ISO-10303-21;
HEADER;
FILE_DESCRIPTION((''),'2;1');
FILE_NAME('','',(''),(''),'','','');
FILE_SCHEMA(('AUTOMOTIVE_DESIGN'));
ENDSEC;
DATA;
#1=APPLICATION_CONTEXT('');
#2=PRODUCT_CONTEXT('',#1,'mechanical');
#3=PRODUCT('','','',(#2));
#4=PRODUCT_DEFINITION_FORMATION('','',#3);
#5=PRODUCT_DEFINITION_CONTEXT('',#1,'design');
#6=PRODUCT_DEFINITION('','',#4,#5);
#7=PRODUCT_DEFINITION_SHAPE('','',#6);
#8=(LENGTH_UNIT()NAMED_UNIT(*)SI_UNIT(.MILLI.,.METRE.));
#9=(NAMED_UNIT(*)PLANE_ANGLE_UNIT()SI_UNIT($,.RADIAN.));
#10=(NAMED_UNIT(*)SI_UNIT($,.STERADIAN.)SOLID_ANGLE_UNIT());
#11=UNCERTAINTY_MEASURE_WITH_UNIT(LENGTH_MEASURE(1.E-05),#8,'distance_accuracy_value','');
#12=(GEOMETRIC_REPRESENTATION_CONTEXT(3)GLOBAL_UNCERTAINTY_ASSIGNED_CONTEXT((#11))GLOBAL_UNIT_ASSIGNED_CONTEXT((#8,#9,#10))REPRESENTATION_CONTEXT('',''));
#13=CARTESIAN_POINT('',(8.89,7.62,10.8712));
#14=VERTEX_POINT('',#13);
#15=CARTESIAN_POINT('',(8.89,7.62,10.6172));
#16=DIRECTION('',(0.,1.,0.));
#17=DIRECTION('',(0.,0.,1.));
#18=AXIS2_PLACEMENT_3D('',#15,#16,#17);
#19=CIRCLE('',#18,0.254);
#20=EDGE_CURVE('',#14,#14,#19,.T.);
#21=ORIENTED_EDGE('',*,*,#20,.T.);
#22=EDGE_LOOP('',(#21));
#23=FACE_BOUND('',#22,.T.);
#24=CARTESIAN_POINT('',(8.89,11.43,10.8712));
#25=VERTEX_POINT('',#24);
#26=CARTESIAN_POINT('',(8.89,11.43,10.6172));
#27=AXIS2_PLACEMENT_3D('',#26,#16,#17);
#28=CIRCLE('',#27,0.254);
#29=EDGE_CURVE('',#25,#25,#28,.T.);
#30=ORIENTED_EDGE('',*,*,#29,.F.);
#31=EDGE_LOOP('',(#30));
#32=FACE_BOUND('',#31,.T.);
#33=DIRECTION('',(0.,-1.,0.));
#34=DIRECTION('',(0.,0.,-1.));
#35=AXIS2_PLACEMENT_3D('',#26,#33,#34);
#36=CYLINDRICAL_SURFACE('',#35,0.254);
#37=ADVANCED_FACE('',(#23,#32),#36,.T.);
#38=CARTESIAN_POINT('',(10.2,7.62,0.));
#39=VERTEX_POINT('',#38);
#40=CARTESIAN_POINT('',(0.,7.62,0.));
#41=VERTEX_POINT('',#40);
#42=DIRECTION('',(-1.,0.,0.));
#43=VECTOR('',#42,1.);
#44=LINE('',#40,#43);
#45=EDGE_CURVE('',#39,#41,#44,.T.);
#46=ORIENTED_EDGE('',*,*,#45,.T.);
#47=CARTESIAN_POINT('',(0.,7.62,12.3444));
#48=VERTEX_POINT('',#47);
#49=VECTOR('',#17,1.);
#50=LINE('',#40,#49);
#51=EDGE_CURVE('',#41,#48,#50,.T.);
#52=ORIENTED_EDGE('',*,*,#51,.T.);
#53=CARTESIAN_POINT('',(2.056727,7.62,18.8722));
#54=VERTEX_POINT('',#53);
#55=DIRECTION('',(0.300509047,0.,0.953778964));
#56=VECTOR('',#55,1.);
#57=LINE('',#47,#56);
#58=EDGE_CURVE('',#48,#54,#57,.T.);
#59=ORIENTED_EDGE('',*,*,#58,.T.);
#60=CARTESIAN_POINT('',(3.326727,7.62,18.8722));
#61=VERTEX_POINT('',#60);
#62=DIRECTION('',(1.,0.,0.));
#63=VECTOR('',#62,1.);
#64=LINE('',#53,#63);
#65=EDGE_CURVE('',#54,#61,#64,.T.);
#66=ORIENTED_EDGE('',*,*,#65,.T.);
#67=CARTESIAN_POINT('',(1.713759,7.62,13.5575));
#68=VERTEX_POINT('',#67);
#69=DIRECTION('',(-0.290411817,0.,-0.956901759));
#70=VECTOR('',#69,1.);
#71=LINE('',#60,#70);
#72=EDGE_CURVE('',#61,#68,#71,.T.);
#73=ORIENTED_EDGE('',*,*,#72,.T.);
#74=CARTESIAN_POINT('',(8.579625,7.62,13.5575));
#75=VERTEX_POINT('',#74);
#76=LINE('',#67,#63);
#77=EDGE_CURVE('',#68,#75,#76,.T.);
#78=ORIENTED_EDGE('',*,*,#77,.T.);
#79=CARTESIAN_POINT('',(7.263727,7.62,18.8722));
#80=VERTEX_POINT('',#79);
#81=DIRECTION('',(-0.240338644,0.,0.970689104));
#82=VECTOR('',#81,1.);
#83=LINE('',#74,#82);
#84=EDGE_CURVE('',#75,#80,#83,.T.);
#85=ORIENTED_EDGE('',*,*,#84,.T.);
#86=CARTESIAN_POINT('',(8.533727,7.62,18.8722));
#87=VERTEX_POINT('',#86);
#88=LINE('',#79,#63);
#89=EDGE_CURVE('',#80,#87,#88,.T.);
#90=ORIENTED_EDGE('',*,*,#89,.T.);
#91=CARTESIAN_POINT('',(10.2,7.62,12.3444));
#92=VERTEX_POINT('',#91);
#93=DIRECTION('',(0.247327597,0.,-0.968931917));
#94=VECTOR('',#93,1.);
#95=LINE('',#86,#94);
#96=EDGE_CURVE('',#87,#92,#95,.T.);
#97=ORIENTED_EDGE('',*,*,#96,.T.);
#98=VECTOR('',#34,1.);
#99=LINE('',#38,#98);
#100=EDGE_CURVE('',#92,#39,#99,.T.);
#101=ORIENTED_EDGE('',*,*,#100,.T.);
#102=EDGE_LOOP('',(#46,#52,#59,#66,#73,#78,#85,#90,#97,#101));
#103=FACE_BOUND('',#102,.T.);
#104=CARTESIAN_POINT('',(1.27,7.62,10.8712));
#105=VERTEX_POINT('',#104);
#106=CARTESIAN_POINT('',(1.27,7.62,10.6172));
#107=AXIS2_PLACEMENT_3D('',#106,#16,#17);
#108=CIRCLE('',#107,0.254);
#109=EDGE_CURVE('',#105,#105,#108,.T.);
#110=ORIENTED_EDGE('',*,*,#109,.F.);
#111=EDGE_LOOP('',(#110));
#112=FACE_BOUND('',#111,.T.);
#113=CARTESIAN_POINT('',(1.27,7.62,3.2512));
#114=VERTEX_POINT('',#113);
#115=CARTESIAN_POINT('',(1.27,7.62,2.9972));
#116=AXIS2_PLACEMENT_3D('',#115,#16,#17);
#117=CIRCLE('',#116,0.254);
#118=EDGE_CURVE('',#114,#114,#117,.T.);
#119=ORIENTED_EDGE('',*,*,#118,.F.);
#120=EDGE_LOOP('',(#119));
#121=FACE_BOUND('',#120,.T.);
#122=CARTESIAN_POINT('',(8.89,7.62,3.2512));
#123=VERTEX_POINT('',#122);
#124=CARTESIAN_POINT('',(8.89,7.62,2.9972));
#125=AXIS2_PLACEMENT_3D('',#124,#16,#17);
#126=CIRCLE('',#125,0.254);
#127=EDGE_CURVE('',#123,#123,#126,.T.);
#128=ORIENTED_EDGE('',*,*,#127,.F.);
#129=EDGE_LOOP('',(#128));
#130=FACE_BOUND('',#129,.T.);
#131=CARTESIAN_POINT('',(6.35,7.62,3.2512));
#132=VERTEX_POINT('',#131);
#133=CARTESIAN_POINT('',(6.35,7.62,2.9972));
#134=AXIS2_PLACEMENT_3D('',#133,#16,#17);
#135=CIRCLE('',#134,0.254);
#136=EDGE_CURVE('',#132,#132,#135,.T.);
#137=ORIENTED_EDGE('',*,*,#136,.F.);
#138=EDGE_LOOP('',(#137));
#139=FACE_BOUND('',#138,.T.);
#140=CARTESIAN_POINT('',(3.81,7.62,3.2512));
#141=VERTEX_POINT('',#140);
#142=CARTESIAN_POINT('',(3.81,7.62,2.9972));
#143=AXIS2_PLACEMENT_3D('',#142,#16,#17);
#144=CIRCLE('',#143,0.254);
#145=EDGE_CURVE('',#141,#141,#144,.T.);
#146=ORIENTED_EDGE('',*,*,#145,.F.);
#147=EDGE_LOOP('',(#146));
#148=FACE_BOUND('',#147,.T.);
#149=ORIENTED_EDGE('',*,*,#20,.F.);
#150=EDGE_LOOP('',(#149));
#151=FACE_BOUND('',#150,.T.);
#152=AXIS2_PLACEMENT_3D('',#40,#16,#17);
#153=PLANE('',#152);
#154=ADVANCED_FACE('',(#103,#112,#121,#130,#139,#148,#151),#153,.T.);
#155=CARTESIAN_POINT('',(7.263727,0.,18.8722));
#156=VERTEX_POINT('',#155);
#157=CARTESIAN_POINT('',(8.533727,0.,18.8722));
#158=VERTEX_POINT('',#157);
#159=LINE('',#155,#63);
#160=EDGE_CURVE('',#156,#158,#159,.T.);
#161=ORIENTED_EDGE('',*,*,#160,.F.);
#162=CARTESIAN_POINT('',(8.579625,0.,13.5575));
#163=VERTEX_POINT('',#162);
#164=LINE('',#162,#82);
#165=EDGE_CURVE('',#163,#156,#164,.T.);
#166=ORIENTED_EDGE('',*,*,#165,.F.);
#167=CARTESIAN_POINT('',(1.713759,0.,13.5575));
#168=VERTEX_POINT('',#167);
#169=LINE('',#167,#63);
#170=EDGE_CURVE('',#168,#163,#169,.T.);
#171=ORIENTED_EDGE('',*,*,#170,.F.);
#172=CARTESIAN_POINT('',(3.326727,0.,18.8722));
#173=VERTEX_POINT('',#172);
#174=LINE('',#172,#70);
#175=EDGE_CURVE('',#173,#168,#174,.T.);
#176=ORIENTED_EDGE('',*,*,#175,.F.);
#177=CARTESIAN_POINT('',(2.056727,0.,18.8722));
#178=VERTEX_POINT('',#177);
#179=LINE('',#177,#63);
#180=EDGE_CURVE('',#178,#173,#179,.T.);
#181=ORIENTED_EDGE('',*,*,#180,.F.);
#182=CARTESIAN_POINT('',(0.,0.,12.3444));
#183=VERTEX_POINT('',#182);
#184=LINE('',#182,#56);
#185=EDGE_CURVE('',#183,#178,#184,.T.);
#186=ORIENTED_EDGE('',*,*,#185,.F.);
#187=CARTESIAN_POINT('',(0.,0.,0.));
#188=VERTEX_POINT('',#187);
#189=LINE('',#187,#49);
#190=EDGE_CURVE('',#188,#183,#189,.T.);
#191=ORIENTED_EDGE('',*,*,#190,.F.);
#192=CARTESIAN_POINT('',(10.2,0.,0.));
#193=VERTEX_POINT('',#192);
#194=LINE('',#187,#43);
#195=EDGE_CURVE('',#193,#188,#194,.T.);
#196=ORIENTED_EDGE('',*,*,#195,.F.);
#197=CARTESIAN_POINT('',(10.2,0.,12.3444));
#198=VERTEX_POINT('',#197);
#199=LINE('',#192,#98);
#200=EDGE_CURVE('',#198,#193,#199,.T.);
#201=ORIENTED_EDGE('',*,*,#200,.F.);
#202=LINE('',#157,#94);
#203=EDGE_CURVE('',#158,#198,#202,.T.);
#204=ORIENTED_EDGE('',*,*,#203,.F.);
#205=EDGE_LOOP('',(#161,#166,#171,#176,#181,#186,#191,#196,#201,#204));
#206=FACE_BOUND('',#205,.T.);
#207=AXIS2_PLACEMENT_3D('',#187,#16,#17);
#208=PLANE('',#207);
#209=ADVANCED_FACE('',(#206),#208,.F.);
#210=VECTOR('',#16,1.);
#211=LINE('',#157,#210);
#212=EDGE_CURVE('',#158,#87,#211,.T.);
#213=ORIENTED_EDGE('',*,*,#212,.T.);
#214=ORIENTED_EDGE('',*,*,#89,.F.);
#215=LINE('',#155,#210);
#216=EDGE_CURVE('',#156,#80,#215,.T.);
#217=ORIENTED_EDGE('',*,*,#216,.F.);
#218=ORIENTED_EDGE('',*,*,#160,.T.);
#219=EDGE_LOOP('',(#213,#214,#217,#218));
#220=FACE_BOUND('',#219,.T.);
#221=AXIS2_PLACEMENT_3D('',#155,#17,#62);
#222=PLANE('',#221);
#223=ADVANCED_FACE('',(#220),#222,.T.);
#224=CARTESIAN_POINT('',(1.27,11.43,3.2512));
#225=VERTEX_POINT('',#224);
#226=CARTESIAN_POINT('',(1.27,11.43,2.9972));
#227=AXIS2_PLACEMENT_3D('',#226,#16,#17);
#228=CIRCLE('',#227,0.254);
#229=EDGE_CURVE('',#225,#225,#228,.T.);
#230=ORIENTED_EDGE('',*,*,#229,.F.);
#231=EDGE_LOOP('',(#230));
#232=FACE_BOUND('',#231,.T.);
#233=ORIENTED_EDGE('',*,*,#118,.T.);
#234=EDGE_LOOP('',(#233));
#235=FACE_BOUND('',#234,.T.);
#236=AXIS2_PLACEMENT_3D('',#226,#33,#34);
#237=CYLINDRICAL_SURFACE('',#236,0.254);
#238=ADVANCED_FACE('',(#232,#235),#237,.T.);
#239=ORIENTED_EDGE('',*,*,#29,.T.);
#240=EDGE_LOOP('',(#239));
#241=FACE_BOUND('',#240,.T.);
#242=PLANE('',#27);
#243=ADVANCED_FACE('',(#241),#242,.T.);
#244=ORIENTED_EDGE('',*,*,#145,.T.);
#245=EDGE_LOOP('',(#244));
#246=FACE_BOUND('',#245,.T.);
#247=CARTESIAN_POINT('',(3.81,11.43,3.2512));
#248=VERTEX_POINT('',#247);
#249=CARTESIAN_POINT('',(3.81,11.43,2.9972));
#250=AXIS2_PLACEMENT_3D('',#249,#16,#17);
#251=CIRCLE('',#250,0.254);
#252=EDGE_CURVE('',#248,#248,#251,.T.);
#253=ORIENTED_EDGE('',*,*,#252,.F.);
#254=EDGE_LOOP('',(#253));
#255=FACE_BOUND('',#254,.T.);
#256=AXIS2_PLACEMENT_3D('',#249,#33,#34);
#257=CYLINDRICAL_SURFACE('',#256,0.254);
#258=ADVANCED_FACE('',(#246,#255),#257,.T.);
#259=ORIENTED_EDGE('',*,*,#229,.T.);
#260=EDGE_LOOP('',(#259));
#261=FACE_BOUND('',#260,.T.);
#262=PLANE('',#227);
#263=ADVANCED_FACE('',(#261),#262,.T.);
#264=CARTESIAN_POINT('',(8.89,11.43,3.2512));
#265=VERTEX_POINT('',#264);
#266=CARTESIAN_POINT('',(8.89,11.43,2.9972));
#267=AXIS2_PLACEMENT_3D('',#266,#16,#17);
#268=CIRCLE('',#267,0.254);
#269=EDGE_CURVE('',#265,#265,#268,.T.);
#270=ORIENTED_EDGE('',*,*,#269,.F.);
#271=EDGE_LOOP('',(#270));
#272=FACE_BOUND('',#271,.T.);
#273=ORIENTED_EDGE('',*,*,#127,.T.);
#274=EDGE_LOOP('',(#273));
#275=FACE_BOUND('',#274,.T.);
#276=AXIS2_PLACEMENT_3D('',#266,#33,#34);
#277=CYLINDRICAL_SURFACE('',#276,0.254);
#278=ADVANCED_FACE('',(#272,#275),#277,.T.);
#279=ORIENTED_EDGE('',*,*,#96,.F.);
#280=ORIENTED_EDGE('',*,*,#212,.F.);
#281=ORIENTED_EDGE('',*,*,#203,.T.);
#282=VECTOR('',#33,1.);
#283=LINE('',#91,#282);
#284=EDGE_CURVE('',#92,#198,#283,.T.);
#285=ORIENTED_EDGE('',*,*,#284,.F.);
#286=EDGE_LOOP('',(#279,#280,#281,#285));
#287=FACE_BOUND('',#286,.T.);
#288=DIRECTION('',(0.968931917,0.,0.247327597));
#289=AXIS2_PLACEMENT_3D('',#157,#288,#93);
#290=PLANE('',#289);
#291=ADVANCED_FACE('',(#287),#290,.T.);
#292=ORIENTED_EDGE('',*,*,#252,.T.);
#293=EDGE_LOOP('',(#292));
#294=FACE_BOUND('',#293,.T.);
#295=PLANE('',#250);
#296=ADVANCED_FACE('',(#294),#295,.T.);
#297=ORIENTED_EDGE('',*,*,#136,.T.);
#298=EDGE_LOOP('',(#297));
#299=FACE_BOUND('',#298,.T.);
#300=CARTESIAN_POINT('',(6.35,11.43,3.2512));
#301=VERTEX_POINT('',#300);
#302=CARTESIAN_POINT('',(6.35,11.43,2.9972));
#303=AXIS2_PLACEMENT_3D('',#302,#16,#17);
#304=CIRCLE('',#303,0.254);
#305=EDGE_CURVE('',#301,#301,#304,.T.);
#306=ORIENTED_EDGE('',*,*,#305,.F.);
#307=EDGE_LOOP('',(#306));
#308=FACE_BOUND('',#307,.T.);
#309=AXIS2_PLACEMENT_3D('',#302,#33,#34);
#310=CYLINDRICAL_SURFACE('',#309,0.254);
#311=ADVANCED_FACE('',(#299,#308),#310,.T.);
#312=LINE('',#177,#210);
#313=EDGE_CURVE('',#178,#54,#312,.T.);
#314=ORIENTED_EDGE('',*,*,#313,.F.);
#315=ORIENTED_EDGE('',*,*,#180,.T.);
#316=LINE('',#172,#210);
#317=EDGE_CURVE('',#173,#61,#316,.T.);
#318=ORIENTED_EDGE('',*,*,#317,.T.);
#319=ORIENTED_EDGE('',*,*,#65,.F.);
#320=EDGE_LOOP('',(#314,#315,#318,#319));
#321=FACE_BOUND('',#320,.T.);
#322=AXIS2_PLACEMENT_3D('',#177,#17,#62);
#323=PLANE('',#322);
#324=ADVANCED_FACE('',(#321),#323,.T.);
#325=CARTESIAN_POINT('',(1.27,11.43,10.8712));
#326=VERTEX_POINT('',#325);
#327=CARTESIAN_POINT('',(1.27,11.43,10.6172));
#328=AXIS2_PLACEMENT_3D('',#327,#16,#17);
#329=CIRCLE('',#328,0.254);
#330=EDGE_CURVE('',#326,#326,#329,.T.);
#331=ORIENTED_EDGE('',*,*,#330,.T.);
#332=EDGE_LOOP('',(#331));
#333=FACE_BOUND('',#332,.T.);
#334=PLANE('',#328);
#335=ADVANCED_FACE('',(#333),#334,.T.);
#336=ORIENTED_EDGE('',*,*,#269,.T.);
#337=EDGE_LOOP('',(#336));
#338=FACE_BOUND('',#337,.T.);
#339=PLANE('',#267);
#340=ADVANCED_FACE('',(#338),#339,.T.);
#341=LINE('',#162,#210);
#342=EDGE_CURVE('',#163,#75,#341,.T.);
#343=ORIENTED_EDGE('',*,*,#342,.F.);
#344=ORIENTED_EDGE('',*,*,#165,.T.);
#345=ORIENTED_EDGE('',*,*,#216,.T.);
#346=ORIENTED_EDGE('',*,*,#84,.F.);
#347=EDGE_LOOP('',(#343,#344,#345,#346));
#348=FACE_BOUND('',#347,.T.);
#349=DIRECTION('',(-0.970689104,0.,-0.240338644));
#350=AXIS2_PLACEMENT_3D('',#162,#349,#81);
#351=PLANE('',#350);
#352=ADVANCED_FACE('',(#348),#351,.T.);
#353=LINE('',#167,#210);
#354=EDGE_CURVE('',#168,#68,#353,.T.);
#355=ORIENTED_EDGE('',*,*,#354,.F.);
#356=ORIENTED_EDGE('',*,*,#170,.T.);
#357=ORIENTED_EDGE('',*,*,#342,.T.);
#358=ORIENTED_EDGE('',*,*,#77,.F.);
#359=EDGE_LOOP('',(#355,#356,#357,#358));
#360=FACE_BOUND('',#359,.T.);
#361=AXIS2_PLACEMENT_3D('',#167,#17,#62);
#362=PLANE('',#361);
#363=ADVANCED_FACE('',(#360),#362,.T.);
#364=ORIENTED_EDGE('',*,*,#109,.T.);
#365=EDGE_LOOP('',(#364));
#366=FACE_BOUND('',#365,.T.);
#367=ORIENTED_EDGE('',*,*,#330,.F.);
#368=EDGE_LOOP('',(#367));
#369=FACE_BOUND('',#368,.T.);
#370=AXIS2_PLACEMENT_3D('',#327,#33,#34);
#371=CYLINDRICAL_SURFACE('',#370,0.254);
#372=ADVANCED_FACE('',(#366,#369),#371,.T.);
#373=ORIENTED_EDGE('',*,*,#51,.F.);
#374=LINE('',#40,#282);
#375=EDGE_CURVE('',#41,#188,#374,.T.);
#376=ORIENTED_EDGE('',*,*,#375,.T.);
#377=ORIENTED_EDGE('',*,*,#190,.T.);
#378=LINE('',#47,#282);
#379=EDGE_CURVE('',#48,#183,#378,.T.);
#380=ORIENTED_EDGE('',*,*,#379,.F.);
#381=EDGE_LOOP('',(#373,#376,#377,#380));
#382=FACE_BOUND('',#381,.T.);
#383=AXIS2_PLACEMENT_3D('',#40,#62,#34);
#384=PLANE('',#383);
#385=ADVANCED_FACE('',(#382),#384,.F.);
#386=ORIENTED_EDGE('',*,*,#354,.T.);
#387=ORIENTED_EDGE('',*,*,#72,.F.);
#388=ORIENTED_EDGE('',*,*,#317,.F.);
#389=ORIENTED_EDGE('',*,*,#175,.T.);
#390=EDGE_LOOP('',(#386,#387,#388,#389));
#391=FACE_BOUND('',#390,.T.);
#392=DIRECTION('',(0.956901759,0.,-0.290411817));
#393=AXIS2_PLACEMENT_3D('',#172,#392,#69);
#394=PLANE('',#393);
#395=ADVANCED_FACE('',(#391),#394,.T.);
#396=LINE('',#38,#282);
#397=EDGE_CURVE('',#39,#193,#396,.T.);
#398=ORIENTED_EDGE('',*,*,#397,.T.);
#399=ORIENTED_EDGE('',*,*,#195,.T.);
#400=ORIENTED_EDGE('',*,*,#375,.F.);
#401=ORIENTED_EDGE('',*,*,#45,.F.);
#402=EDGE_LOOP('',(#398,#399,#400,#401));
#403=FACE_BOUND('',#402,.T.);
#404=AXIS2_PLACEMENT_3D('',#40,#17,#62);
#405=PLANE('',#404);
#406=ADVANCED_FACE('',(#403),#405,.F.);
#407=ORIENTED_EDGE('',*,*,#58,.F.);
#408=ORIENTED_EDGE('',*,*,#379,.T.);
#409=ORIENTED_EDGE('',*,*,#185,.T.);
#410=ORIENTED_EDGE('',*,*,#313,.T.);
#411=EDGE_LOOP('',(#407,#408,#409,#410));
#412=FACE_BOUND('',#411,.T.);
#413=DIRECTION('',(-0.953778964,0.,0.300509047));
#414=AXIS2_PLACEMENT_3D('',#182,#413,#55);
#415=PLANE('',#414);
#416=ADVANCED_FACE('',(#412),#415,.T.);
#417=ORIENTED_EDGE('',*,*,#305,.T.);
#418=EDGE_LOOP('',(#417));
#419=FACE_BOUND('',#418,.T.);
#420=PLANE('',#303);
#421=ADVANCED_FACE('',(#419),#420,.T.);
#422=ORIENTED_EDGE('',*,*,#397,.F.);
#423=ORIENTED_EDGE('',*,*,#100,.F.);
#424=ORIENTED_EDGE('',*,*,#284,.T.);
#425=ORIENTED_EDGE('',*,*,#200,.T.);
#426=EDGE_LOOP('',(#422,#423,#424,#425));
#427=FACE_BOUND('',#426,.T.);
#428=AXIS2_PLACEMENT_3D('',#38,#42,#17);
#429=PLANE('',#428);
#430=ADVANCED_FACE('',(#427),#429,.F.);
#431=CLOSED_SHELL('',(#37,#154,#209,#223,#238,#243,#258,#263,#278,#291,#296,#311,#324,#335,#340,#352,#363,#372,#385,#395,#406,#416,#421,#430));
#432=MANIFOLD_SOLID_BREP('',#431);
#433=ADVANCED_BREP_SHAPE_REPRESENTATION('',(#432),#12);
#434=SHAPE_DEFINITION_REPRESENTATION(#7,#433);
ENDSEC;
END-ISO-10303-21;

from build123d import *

# Parameters (mm, degrees)
HFBR_BASE_W          = 10.2
HFBR_BASE_H          = 12.3444
EXTRUDE1_DEPTH       = 7.62
EXTRUDE2_DEPTH       = 7.62
SKETCH3_R            = 0.254
PINS_DEPTH           = 3.81
LPATTERN1_COUNT      = 4
LPATTERN1_PITCH      = 2.54
LPATTERN1_COUNT_DIR2 = 2
LPATTERN1_PITCH_DIR2 = 7.62


with BuildPart() as part:
    # HFBR Base → Extrude1 (new body)
    with BuildSketch(Plane(origin=(0, 0, 0), x_dir=(1, 0, 0), z_dir=(0, 1, 0))):
        with Locations((5.1, -6.1722)):
            Rectangle(HFBR_BASE_W, HFBR_BASE_H)
    extrude(amount=EXTRUDE1_DEPTH)

    # Sketch2 → Extrude2 (add)
    with BuildSketch(Plane(origin=(0, 7.62, 0), x_dir=(-1, 0, 0), z_dir=(0, 1, 0))):
        Polygon((0, 12.3444), (-2.056727008, 18.8722), (-3.326727008, 18.8722), (-1.71375929, 13.55750012), (-8.579624915, 13.55750012), (-7.263727008, 18.8722), (-8.533727008, 18.8722), (-10.2, 12.3444), align=None)
    extrude(amount=-EXTRUDE2_DEPTH)

    # Sketch3 → Pins (add)
    with BuildSketch(Plane(origin=(0, 7.62, 0), x_dir=(-1, 0, 0), z_dir=(0, 1, 0))):
        with Locations((-1.27, 2.9972)):
            Circle(SKETCH3_R)
    pins = extrude(amount=PINS_DEPTH)

    # LPattern1: Pins 4 × 2, 2 skipped
    with Locations(*[(i * LPATTERN1_PITCH, 0, j * LPATTERN1_PITCH_DIR2) for i in range(LPATTERN1_COUNT) for j in range(LPATTERN1_COUNT_DIR2) if (i, j) not in ((0, 0), (1, 1), (2, 1))]):
        add(pins)


solid = part.part
